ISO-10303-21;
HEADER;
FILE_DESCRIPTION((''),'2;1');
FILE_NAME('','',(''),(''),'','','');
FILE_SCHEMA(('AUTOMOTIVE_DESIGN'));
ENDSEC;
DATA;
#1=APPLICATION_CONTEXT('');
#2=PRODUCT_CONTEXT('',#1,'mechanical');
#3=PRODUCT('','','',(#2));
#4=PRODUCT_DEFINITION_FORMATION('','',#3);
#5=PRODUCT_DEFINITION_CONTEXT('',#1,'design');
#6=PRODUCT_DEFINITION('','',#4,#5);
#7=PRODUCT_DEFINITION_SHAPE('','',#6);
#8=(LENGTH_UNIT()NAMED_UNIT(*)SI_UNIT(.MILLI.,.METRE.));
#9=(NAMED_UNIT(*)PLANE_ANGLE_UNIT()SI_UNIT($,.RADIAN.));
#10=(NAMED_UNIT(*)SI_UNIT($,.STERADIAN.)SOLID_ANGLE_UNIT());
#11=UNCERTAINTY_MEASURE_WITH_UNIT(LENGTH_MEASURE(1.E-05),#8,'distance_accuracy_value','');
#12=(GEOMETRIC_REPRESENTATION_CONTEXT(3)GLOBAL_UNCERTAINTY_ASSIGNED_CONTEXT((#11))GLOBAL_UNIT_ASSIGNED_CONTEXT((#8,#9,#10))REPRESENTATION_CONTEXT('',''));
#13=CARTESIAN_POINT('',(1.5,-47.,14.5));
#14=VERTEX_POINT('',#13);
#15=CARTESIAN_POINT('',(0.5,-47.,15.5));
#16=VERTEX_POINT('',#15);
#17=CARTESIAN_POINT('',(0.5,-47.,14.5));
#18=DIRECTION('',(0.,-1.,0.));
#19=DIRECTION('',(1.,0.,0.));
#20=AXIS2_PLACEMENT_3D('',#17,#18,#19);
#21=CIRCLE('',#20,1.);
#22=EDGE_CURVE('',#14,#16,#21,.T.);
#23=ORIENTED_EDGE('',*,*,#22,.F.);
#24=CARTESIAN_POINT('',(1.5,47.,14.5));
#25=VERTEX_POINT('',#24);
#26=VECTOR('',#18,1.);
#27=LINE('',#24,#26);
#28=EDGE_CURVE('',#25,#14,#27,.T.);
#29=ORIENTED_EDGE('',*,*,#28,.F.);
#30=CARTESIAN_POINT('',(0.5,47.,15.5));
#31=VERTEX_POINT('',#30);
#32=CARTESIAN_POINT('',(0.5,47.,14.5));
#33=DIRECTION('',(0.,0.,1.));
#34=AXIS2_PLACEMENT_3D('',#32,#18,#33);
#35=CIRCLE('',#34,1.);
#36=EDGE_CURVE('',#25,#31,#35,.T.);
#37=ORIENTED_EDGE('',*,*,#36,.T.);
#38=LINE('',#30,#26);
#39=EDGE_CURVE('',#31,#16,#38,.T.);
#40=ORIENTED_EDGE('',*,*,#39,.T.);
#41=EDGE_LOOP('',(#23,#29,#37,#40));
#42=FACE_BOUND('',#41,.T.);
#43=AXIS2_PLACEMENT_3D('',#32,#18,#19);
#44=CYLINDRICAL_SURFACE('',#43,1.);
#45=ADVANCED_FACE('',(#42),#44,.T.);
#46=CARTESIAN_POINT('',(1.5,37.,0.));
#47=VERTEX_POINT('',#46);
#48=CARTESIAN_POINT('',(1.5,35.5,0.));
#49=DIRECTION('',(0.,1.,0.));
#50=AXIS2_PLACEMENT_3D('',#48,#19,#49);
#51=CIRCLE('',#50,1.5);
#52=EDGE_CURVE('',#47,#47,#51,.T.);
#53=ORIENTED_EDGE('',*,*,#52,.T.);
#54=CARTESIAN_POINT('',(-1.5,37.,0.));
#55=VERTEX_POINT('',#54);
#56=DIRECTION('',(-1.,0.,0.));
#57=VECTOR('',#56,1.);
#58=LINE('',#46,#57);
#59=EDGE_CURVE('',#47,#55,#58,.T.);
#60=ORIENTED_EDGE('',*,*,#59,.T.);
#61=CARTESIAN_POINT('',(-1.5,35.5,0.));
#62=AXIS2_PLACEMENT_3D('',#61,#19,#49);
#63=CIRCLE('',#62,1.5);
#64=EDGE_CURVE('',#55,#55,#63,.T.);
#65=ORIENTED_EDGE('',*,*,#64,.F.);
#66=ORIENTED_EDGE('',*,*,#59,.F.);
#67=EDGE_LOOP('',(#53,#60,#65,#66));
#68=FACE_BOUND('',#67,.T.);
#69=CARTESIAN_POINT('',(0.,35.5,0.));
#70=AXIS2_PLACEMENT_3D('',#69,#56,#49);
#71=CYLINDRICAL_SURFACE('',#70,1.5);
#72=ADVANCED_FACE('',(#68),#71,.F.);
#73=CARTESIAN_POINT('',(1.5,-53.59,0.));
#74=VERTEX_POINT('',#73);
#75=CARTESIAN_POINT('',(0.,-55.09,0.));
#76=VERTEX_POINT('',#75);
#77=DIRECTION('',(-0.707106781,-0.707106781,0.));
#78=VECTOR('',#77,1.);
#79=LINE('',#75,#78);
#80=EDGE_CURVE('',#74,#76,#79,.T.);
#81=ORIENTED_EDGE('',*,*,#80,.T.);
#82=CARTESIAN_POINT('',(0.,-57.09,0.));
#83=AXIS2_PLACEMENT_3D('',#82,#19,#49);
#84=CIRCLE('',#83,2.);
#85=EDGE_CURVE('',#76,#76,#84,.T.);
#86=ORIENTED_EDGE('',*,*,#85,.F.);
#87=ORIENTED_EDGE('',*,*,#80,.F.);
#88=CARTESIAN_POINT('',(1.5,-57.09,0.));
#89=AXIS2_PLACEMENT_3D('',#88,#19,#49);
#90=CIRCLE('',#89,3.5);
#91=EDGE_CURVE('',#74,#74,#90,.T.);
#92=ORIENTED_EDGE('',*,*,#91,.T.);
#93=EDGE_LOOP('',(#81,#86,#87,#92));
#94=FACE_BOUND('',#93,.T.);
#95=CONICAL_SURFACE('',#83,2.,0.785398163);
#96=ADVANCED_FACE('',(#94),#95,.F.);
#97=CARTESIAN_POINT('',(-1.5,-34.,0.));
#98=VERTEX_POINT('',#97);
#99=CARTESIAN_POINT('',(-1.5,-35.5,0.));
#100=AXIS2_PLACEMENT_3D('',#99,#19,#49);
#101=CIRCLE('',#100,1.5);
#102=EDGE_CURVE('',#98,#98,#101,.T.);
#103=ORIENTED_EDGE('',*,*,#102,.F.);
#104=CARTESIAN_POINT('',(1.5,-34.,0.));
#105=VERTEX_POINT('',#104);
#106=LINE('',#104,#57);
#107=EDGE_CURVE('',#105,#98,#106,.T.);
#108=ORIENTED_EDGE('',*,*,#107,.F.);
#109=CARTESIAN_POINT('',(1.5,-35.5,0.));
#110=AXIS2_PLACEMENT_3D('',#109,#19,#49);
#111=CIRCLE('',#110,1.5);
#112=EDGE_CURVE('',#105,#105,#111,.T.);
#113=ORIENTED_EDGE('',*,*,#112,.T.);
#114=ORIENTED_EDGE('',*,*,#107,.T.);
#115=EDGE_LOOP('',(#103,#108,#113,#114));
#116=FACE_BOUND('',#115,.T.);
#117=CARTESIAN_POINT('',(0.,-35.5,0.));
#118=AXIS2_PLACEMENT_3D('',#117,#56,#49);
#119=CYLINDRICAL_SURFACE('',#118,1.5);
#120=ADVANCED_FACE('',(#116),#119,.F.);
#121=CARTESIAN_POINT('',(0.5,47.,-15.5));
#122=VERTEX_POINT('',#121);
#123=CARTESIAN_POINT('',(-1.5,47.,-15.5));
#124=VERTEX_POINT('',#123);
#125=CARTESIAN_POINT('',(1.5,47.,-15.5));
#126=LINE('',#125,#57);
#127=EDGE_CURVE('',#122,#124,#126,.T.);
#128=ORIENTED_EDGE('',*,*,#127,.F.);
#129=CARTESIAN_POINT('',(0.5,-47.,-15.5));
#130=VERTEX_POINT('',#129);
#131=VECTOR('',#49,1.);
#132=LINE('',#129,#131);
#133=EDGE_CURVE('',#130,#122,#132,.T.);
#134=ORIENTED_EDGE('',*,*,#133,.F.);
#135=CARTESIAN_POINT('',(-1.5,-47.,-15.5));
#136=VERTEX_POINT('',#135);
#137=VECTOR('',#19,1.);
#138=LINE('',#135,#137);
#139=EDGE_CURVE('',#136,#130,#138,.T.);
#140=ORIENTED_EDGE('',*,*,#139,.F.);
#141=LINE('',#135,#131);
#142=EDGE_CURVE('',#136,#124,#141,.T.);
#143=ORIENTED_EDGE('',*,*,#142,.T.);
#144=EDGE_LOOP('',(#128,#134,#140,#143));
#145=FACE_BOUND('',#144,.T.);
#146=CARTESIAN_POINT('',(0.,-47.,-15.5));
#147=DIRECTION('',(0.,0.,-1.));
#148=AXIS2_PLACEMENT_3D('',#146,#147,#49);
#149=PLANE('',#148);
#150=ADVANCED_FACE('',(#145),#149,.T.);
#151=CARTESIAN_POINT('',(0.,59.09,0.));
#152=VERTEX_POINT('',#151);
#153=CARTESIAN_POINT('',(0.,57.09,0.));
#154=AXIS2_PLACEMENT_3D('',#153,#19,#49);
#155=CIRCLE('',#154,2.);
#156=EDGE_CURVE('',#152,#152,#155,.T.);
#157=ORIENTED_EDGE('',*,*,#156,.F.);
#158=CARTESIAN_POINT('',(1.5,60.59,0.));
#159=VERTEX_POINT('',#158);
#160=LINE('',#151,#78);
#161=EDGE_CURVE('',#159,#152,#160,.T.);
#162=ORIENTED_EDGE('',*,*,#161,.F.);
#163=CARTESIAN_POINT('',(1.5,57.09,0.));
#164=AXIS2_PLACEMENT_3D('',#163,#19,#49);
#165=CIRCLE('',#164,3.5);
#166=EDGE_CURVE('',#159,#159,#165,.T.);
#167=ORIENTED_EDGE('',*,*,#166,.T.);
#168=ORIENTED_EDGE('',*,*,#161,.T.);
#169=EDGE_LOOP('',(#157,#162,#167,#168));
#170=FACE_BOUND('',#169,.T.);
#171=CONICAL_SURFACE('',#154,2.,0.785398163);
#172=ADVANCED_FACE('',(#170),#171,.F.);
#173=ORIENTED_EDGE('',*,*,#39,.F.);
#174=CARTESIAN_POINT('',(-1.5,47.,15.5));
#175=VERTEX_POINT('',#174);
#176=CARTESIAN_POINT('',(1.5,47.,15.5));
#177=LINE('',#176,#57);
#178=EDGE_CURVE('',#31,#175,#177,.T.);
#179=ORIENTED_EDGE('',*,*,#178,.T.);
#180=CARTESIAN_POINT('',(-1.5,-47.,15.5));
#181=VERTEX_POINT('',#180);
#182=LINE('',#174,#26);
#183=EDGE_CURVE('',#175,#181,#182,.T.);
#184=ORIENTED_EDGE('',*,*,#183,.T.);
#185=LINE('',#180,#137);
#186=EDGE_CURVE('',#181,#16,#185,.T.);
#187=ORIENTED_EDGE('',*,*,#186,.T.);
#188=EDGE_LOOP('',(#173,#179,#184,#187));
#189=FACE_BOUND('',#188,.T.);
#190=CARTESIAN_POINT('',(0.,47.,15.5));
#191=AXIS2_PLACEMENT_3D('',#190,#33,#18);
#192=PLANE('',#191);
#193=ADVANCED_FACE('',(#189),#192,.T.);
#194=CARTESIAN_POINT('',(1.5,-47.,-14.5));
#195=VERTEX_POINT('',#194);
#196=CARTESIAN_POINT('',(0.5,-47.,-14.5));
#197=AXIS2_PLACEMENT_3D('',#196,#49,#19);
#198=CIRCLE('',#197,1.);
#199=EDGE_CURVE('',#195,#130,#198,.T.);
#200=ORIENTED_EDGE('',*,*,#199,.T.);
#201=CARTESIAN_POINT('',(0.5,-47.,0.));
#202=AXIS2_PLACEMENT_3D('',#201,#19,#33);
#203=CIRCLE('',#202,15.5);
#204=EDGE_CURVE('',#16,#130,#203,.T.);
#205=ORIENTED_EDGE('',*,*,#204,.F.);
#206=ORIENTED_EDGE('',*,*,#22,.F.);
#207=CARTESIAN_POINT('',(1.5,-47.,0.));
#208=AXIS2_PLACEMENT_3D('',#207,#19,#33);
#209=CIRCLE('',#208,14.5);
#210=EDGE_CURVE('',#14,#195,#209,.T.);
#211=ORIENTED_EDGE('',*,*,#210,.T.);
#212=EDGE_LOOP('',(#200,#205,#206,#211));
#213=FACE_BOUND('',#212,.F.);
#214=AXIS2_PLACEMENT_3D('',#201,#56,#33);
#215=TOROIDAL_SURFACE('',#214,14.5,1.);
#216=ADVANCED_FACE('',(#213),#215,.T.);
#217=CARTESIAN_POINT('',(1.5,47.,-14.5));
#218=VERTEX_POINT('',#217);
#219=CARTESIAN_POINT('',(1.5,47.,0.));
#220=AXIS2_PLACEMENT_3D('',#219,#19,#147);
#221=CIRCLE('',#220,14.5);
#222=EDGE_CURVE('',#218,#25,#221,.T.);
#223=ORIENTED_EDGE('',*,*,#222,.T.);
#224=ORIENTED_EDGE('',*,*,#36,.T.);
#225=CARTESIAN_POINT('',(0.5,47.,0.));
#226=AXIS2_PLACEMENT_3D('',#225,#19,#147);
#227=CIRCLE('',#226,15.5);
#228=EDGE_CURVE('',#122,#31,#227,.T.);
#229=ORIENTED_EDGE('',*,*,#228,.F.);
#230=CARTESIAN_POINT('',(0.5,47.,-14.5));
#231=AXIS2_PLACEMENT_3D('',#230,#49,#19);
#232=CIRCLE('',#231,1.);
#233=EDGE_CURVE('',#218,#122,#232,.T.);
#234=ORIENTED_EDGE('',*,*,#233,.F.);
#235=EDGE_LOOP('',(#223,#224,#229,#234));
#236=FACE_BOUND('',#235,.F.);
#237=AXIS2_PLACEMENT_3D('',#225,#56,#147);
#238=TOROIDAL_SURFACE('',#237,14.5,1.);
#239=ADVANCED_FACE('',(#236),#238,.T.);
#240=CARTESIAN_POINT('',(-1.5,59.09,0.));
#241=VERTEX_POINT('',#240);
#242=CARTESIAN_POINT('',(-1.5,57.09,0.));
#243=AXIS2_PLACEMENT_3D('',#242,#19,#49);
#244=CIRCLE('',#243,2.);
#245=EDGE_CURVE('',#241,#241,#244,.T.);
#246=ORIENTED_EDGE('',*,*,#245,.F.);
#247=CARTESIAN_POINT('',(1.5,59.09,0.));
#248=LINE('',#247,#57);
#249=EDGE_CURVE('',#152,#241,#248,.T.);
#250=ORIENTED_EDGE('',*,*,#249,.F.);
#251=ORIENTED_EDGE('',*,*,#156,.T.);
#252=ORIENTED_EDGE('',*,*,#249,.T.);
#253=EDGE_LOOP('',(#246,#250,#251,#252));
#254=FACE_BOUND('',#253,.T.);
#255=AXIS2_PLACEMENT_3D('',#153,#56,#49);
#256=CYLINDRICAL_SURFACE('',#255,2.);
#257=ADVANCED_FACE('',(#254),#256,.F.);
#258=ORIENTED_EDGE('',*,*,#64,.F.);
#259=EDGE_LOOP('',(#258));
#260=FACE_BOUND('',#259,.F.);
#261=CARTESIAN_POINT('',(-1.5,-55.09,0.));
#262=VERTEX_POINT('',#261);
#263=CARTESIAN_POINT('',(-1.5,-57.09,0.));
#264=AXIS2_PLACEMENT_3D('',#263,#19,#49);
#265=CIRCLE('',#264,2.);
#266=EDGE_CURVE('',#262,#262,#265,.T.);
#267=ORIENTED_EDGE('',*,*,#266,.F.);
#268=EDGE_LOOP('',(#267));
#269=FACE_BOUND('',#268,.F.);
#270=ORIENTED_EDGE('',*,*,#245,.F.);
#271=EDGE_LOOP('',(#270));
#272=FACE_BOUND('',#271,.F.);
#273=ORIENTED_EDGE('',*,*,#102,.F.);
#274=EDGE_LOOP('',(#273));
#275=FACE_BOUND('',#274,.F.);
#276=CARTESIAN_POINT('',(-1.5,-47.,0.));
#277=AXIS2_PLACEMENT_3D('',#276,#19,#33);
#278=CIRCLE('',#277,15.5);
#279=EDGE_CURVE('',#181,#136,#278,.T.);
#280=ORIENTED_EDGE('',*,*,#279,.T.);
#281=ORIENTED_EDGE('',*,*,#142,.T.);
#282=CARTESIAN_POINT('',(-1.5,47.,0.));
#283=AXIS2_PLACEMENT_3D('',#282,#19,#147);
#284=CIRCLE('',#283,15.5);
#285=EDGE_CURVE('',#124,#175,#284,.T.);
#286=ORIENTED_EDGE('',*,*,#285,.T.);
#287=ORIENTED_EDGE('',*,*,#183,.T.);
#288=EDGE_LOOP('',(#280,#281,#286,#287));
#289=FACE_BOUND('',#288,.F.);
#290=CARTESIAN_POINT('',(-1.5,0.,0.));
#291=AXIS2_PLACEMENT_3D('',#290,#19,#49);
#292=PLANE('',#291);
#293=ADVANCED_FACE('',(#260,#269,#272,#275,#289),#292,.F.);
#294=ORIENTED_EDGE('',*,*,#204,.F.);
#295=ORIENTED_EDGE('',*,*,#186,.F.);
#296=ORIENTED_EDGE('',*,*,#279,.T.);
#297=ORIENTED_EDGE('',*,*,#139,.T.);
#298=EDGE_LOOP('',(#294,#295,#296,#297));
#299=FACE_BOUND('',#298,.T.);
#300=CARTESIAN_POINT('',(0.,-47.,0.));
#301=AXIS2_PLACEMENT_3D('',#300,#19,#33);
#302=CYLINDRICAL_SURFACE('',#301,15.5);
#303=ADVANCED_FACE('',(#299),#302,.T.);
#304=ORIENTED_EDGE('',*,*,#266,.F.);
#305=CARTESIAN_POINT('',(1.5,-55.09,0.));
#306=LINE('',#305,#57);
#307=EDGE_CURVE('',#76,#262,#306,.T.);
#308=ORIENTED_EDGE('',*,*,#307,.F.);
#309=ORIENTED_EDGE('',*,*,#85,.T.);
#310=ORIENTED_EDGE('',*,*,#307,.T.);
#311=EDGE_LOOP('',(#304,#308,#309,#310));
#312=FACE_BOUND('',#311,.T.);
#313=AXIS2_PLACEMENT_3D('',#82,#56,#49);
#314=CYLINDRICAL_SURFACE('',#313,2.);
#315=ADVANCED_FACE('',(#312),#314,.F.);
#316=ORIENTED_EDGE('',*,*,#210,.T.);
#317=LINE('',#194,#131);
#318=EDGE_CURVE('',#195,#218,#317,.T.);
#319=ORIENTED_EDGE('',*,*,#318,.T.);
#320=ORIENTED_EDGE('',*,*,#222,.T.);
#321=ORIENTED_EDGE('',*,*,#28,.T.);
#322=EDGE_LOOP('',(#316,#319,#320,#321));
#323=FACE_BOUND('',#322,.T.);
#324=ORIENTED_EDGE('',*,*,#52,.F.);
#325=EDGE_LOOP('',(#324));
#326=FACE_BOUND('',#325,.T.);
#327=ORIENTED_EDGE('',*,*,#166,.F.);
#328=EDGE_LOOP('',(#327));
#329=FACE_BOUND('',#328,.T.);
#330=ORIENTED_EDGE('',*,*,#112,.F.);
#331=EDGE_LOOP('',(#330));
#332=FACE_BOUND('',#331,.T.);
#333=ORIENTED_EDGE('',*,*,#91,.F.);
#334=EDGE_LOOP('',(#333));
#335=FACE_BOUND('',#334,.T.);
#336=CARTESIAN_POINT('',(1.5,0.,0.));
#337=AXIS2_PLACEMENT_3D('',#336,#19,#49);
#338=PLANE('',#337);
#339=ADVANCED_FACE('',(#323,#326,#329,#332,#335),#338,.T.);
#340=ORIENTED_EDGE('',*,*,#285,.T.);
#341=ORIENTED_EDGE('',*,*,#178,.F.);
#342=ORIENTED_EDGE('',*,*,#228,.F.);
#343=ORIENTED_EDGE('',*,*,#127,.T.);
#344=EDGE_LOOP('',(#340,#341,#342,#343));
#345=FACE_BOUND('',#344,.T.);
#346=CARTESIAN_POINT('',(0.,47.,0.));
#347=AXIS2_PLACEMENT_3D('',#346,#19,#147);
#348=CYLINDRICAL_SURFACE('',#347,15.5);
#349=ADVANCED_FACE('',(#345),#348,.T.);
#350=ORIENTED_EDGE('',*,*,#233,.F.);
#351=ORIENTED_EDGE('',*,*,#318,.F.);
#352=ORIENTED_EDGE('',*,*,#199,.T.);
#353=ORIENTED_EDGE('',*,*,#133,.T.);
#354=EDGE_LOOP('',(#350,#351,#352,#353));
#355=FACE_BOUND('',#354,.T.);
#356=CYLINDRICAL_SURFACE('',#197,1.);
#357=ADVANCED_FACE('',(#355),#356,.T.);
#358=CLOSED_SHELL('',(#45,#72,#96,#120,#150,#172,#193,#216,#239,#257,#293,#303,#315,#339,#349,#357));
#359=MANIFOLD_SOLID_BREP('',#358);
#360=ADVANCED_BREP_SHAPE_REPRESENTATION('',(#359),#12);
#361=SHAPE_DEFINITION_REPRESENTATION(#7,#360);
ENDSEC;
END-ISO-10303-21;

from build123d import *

# Parameters (mm, degrees)
F0_R     = 2
F0_R_2   = 1.5
F1_DEPTH = 1.5
F2_SIZE  = 1.5
F3_R     = 1


with BuildPart() as f1:
    # F0 (on Right) → F1 (new body, symmetric)
    with BuildSketch(Plane.YZ):
        with BuildLine():
            Line((47, 15.5), (0, 15.5))
            Line((0, 15.5), (-47, 15.5))
            ThreePointArc((-47, 15.5), (-62.5, 0), (-47, -15.5))
            Line((-47, -15.5), (0, -15.5))
            Line((0, -15.5), (47, -15.5))
            ThreePointArc((47, -15.5), (62.5, 0), (47, 15.5))
        make_face()
        with Locations((-57.09, 0)):
            Circle(F0_R, mode=Mode.SUBTRACT)
        with Locations((-35.5, 0)):
            Circle(F0_R_2, mode=Mode.SUBTRACT)
        with Locations((35.5, 0)):
            Circle(F0_R_2, mode=Mode.SUBTRACT)
        with Locations((57.09, 0)):
            Circle(F0_R, mode=Mode.SUBTRACT)
    extrude(amount=F1_DEPTH, both=True)

    # F2
    f2_edges = [f1.edges().sort_by_distance(p)[0] for p in [
        (1.5, -59.09, 0),
        (1.5, 55.09, 0),
    ]]
    chamfer(f2_edges, length=F2_SIZE)

    # F3
    f3_edges = [f1.edges().sort_by_distance(p)[0] for p in [
        (1.5, 0, -15.5),
    ]]
    fillet(f3_edges, radius=F3_R)


solid = f1.part
